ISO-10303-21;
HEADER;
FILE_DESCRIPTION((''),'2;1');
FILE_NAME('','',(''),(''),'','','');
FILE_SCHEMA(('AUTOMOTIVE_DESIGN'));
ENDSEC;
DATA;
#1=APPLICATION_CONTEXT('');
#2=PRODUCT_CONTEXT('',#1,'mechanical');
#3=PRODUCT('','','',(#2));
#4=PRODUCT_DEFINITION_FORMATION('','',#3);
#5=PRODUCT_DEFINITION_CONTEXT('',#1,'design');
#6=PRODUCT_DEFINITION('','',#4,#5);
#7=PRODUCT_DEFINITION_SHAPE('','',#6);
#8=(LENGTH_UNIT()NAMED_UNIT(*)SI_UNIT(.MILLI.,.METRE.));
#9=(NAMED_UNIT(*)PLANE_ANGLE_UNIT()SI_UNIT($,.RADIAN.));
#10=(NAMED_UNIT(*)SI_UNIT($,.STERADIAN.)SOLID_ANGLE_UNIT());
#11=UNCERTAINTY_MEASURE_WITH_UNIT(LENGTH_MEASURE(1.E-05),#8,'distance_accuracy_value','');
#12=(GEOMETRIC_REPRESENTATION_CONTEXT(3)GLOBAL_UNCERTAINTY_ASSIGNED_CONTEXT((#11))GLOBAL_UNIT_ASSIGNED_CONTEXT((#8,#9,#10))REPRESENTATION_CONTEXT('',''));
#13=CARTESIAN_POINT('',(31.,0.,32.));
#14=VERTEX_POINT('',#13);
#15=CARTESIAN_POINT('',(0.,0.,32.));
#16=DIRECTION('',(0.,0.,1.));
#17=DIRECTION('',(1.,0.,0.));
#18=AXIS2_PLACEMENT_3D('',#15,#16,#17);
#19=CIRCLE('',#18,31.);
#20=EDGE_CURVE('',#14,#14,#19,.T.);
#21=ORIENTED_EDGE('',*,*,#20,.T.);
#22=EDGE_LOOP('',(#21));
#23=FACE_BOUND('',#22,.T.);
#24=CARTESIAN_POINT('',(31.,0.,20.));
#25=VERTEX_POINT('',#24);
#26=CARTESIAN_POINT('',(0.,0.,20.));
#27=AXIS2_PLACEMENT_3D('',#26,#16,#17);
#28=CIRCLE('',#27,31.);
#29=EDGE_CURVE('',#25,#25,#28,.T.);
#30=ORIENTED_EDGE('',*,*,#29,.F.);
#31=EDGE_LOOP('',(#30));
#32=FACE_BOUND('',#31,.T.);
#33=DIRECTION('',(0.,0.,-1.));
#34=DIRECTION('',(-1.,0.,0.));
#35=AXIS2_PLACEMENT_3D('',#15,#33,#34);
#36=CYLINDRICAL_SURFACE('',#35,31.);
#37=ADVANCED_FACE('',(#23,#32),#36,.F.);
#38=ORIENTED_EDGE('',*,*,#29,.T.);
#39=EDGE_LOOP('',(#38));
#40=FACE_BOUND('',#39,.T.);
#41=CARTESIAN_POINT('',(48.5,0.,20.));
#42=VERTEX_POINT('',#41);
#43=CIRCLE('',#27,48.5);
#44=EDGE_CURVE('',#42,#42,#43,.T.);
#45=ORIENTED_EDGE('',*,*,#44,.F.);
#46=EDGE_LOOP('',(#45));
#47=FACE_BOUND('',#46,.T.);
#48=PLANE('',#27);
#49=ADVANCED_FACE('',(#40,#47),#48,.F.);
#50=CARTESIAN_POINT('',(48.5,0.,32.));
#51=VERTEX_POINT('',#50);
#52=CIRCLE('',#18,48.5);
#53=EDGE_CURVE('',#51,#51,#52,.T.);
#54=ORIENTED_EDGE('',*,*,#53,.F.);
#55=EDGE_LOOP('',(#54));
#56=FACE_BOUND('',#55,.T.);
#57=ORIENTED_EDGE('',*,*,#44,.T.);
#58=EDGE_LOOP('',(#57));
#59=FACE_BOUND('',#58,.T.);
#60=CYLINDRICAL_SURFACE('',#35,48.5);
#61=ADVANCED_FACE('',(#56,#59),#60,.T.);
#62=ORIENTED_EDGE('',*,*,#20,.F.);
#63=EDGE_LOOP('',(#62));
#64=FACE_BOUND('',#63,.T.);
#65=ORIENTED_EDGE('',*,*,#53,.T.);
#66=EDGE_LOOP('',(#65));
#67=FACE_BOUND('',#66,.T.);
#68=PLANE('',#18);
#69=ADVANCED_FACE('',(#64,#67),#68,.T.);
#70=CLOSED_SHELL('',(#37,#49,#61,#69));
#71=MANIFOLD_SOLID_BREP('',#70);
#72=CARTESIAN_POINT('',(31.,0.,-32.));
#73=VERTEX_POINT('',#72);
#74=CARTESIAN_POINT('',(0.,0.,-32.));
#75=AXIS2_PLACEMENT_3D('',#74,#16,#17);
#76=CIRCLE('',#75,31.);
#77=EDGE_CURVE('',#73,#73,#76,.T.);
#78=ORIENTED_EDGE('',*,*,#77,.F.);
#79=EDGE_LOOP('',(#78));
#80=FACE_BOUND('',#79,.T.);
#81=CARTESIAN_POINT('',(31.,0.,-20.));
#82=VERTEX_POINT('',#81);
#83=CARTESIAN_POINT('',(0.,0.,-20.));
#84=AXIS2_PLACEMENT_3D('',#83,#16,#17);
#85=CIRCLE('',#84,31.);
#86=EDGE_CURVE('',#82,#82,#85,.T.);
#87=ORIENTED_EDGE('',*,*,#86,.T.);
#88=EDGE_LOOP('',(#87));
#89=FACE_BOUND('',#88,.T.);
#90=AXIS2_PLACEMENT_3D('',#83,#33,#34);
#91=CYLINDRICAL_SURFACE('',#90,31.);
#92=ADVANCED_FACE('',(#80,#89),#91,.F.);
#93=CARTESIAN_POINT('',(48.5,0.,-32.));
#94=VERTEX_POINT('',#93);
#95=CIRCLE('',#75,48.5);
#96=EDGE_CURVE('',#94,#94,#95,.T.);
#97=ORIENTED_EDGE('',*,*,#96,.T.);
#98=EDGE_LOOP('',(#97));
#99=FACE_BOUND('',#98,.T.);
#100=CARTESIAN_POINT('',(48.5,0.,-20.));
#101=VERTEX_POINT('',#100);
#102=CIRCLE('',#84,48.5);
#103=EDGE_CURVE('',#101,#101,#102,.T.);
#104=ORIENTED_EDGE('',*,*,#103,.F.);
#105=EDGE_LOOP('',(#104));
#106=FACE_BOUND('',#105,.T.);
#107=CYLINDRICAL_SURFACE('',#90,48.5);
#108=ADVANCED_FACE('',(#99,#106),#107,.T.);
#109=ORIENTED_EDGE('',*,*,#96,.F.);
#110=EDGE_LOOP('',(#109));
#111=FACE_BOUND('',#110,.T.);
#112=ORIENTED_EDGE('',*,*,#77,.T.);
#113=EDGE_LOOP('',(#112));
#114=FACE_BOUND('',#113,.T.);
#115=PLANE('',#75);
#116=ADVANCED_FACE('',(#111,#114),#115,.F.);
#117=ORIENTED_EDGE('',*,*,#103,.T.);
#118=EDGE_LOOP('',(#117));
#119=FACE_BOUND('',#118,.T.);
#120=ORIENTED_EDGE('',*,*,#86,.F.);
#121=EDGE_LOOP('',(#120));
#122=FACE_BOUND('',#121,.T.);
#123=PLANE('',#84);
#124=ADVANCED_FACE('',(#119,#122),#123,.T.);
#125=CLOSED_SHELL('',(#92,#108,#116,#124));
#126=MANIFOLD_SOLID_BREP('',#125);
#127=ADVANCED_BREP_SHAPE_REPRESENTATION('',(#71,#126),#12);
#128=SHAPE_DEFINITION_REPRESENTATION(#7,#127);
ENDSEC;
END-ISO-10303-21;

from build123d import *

# Parameters (mm, degrees)
REAR_ENDTURN_START  = -32
SKETCH_1_R          = 48.5
SKETCH_1_R_2        = 31
REAR_ENDTURN_DEPTH  = 12
FRONT_ENDTURN_START = 20
SKETCH_2_R          = 48.5
SKETCH_2_R_2        = 31
FRONT_ENDTURN_DEPTH = 12


with BuildPart() as part:
    # Эскиз1 → Rear_endturn (new body)
    with BuildSketch(Plane.XY.offset(REAR_ENDTURN_START)):
        Circle(SKETCH_1_R)
        Circle(SKETCH_1_R_2, mode=Mode.SUBTRACT)
    extrude(amount=REAR_ENDTURN_DEPTH)


with BuildPart() as body_2:
    # Эскиз2 → Front_endturn (new body)
    with BuildSketch(Plane.XY.offset(FRONT_ENDTURN_START)):
        Circle(SKETCH_2_R)
        Circle(SKETCH_2_R_2, mode=Mode.SUBTRACT)
    extrude(amount=FRONT_ENDTURN_DEPTH)


solid = Compound([part.part, body_2.part])
